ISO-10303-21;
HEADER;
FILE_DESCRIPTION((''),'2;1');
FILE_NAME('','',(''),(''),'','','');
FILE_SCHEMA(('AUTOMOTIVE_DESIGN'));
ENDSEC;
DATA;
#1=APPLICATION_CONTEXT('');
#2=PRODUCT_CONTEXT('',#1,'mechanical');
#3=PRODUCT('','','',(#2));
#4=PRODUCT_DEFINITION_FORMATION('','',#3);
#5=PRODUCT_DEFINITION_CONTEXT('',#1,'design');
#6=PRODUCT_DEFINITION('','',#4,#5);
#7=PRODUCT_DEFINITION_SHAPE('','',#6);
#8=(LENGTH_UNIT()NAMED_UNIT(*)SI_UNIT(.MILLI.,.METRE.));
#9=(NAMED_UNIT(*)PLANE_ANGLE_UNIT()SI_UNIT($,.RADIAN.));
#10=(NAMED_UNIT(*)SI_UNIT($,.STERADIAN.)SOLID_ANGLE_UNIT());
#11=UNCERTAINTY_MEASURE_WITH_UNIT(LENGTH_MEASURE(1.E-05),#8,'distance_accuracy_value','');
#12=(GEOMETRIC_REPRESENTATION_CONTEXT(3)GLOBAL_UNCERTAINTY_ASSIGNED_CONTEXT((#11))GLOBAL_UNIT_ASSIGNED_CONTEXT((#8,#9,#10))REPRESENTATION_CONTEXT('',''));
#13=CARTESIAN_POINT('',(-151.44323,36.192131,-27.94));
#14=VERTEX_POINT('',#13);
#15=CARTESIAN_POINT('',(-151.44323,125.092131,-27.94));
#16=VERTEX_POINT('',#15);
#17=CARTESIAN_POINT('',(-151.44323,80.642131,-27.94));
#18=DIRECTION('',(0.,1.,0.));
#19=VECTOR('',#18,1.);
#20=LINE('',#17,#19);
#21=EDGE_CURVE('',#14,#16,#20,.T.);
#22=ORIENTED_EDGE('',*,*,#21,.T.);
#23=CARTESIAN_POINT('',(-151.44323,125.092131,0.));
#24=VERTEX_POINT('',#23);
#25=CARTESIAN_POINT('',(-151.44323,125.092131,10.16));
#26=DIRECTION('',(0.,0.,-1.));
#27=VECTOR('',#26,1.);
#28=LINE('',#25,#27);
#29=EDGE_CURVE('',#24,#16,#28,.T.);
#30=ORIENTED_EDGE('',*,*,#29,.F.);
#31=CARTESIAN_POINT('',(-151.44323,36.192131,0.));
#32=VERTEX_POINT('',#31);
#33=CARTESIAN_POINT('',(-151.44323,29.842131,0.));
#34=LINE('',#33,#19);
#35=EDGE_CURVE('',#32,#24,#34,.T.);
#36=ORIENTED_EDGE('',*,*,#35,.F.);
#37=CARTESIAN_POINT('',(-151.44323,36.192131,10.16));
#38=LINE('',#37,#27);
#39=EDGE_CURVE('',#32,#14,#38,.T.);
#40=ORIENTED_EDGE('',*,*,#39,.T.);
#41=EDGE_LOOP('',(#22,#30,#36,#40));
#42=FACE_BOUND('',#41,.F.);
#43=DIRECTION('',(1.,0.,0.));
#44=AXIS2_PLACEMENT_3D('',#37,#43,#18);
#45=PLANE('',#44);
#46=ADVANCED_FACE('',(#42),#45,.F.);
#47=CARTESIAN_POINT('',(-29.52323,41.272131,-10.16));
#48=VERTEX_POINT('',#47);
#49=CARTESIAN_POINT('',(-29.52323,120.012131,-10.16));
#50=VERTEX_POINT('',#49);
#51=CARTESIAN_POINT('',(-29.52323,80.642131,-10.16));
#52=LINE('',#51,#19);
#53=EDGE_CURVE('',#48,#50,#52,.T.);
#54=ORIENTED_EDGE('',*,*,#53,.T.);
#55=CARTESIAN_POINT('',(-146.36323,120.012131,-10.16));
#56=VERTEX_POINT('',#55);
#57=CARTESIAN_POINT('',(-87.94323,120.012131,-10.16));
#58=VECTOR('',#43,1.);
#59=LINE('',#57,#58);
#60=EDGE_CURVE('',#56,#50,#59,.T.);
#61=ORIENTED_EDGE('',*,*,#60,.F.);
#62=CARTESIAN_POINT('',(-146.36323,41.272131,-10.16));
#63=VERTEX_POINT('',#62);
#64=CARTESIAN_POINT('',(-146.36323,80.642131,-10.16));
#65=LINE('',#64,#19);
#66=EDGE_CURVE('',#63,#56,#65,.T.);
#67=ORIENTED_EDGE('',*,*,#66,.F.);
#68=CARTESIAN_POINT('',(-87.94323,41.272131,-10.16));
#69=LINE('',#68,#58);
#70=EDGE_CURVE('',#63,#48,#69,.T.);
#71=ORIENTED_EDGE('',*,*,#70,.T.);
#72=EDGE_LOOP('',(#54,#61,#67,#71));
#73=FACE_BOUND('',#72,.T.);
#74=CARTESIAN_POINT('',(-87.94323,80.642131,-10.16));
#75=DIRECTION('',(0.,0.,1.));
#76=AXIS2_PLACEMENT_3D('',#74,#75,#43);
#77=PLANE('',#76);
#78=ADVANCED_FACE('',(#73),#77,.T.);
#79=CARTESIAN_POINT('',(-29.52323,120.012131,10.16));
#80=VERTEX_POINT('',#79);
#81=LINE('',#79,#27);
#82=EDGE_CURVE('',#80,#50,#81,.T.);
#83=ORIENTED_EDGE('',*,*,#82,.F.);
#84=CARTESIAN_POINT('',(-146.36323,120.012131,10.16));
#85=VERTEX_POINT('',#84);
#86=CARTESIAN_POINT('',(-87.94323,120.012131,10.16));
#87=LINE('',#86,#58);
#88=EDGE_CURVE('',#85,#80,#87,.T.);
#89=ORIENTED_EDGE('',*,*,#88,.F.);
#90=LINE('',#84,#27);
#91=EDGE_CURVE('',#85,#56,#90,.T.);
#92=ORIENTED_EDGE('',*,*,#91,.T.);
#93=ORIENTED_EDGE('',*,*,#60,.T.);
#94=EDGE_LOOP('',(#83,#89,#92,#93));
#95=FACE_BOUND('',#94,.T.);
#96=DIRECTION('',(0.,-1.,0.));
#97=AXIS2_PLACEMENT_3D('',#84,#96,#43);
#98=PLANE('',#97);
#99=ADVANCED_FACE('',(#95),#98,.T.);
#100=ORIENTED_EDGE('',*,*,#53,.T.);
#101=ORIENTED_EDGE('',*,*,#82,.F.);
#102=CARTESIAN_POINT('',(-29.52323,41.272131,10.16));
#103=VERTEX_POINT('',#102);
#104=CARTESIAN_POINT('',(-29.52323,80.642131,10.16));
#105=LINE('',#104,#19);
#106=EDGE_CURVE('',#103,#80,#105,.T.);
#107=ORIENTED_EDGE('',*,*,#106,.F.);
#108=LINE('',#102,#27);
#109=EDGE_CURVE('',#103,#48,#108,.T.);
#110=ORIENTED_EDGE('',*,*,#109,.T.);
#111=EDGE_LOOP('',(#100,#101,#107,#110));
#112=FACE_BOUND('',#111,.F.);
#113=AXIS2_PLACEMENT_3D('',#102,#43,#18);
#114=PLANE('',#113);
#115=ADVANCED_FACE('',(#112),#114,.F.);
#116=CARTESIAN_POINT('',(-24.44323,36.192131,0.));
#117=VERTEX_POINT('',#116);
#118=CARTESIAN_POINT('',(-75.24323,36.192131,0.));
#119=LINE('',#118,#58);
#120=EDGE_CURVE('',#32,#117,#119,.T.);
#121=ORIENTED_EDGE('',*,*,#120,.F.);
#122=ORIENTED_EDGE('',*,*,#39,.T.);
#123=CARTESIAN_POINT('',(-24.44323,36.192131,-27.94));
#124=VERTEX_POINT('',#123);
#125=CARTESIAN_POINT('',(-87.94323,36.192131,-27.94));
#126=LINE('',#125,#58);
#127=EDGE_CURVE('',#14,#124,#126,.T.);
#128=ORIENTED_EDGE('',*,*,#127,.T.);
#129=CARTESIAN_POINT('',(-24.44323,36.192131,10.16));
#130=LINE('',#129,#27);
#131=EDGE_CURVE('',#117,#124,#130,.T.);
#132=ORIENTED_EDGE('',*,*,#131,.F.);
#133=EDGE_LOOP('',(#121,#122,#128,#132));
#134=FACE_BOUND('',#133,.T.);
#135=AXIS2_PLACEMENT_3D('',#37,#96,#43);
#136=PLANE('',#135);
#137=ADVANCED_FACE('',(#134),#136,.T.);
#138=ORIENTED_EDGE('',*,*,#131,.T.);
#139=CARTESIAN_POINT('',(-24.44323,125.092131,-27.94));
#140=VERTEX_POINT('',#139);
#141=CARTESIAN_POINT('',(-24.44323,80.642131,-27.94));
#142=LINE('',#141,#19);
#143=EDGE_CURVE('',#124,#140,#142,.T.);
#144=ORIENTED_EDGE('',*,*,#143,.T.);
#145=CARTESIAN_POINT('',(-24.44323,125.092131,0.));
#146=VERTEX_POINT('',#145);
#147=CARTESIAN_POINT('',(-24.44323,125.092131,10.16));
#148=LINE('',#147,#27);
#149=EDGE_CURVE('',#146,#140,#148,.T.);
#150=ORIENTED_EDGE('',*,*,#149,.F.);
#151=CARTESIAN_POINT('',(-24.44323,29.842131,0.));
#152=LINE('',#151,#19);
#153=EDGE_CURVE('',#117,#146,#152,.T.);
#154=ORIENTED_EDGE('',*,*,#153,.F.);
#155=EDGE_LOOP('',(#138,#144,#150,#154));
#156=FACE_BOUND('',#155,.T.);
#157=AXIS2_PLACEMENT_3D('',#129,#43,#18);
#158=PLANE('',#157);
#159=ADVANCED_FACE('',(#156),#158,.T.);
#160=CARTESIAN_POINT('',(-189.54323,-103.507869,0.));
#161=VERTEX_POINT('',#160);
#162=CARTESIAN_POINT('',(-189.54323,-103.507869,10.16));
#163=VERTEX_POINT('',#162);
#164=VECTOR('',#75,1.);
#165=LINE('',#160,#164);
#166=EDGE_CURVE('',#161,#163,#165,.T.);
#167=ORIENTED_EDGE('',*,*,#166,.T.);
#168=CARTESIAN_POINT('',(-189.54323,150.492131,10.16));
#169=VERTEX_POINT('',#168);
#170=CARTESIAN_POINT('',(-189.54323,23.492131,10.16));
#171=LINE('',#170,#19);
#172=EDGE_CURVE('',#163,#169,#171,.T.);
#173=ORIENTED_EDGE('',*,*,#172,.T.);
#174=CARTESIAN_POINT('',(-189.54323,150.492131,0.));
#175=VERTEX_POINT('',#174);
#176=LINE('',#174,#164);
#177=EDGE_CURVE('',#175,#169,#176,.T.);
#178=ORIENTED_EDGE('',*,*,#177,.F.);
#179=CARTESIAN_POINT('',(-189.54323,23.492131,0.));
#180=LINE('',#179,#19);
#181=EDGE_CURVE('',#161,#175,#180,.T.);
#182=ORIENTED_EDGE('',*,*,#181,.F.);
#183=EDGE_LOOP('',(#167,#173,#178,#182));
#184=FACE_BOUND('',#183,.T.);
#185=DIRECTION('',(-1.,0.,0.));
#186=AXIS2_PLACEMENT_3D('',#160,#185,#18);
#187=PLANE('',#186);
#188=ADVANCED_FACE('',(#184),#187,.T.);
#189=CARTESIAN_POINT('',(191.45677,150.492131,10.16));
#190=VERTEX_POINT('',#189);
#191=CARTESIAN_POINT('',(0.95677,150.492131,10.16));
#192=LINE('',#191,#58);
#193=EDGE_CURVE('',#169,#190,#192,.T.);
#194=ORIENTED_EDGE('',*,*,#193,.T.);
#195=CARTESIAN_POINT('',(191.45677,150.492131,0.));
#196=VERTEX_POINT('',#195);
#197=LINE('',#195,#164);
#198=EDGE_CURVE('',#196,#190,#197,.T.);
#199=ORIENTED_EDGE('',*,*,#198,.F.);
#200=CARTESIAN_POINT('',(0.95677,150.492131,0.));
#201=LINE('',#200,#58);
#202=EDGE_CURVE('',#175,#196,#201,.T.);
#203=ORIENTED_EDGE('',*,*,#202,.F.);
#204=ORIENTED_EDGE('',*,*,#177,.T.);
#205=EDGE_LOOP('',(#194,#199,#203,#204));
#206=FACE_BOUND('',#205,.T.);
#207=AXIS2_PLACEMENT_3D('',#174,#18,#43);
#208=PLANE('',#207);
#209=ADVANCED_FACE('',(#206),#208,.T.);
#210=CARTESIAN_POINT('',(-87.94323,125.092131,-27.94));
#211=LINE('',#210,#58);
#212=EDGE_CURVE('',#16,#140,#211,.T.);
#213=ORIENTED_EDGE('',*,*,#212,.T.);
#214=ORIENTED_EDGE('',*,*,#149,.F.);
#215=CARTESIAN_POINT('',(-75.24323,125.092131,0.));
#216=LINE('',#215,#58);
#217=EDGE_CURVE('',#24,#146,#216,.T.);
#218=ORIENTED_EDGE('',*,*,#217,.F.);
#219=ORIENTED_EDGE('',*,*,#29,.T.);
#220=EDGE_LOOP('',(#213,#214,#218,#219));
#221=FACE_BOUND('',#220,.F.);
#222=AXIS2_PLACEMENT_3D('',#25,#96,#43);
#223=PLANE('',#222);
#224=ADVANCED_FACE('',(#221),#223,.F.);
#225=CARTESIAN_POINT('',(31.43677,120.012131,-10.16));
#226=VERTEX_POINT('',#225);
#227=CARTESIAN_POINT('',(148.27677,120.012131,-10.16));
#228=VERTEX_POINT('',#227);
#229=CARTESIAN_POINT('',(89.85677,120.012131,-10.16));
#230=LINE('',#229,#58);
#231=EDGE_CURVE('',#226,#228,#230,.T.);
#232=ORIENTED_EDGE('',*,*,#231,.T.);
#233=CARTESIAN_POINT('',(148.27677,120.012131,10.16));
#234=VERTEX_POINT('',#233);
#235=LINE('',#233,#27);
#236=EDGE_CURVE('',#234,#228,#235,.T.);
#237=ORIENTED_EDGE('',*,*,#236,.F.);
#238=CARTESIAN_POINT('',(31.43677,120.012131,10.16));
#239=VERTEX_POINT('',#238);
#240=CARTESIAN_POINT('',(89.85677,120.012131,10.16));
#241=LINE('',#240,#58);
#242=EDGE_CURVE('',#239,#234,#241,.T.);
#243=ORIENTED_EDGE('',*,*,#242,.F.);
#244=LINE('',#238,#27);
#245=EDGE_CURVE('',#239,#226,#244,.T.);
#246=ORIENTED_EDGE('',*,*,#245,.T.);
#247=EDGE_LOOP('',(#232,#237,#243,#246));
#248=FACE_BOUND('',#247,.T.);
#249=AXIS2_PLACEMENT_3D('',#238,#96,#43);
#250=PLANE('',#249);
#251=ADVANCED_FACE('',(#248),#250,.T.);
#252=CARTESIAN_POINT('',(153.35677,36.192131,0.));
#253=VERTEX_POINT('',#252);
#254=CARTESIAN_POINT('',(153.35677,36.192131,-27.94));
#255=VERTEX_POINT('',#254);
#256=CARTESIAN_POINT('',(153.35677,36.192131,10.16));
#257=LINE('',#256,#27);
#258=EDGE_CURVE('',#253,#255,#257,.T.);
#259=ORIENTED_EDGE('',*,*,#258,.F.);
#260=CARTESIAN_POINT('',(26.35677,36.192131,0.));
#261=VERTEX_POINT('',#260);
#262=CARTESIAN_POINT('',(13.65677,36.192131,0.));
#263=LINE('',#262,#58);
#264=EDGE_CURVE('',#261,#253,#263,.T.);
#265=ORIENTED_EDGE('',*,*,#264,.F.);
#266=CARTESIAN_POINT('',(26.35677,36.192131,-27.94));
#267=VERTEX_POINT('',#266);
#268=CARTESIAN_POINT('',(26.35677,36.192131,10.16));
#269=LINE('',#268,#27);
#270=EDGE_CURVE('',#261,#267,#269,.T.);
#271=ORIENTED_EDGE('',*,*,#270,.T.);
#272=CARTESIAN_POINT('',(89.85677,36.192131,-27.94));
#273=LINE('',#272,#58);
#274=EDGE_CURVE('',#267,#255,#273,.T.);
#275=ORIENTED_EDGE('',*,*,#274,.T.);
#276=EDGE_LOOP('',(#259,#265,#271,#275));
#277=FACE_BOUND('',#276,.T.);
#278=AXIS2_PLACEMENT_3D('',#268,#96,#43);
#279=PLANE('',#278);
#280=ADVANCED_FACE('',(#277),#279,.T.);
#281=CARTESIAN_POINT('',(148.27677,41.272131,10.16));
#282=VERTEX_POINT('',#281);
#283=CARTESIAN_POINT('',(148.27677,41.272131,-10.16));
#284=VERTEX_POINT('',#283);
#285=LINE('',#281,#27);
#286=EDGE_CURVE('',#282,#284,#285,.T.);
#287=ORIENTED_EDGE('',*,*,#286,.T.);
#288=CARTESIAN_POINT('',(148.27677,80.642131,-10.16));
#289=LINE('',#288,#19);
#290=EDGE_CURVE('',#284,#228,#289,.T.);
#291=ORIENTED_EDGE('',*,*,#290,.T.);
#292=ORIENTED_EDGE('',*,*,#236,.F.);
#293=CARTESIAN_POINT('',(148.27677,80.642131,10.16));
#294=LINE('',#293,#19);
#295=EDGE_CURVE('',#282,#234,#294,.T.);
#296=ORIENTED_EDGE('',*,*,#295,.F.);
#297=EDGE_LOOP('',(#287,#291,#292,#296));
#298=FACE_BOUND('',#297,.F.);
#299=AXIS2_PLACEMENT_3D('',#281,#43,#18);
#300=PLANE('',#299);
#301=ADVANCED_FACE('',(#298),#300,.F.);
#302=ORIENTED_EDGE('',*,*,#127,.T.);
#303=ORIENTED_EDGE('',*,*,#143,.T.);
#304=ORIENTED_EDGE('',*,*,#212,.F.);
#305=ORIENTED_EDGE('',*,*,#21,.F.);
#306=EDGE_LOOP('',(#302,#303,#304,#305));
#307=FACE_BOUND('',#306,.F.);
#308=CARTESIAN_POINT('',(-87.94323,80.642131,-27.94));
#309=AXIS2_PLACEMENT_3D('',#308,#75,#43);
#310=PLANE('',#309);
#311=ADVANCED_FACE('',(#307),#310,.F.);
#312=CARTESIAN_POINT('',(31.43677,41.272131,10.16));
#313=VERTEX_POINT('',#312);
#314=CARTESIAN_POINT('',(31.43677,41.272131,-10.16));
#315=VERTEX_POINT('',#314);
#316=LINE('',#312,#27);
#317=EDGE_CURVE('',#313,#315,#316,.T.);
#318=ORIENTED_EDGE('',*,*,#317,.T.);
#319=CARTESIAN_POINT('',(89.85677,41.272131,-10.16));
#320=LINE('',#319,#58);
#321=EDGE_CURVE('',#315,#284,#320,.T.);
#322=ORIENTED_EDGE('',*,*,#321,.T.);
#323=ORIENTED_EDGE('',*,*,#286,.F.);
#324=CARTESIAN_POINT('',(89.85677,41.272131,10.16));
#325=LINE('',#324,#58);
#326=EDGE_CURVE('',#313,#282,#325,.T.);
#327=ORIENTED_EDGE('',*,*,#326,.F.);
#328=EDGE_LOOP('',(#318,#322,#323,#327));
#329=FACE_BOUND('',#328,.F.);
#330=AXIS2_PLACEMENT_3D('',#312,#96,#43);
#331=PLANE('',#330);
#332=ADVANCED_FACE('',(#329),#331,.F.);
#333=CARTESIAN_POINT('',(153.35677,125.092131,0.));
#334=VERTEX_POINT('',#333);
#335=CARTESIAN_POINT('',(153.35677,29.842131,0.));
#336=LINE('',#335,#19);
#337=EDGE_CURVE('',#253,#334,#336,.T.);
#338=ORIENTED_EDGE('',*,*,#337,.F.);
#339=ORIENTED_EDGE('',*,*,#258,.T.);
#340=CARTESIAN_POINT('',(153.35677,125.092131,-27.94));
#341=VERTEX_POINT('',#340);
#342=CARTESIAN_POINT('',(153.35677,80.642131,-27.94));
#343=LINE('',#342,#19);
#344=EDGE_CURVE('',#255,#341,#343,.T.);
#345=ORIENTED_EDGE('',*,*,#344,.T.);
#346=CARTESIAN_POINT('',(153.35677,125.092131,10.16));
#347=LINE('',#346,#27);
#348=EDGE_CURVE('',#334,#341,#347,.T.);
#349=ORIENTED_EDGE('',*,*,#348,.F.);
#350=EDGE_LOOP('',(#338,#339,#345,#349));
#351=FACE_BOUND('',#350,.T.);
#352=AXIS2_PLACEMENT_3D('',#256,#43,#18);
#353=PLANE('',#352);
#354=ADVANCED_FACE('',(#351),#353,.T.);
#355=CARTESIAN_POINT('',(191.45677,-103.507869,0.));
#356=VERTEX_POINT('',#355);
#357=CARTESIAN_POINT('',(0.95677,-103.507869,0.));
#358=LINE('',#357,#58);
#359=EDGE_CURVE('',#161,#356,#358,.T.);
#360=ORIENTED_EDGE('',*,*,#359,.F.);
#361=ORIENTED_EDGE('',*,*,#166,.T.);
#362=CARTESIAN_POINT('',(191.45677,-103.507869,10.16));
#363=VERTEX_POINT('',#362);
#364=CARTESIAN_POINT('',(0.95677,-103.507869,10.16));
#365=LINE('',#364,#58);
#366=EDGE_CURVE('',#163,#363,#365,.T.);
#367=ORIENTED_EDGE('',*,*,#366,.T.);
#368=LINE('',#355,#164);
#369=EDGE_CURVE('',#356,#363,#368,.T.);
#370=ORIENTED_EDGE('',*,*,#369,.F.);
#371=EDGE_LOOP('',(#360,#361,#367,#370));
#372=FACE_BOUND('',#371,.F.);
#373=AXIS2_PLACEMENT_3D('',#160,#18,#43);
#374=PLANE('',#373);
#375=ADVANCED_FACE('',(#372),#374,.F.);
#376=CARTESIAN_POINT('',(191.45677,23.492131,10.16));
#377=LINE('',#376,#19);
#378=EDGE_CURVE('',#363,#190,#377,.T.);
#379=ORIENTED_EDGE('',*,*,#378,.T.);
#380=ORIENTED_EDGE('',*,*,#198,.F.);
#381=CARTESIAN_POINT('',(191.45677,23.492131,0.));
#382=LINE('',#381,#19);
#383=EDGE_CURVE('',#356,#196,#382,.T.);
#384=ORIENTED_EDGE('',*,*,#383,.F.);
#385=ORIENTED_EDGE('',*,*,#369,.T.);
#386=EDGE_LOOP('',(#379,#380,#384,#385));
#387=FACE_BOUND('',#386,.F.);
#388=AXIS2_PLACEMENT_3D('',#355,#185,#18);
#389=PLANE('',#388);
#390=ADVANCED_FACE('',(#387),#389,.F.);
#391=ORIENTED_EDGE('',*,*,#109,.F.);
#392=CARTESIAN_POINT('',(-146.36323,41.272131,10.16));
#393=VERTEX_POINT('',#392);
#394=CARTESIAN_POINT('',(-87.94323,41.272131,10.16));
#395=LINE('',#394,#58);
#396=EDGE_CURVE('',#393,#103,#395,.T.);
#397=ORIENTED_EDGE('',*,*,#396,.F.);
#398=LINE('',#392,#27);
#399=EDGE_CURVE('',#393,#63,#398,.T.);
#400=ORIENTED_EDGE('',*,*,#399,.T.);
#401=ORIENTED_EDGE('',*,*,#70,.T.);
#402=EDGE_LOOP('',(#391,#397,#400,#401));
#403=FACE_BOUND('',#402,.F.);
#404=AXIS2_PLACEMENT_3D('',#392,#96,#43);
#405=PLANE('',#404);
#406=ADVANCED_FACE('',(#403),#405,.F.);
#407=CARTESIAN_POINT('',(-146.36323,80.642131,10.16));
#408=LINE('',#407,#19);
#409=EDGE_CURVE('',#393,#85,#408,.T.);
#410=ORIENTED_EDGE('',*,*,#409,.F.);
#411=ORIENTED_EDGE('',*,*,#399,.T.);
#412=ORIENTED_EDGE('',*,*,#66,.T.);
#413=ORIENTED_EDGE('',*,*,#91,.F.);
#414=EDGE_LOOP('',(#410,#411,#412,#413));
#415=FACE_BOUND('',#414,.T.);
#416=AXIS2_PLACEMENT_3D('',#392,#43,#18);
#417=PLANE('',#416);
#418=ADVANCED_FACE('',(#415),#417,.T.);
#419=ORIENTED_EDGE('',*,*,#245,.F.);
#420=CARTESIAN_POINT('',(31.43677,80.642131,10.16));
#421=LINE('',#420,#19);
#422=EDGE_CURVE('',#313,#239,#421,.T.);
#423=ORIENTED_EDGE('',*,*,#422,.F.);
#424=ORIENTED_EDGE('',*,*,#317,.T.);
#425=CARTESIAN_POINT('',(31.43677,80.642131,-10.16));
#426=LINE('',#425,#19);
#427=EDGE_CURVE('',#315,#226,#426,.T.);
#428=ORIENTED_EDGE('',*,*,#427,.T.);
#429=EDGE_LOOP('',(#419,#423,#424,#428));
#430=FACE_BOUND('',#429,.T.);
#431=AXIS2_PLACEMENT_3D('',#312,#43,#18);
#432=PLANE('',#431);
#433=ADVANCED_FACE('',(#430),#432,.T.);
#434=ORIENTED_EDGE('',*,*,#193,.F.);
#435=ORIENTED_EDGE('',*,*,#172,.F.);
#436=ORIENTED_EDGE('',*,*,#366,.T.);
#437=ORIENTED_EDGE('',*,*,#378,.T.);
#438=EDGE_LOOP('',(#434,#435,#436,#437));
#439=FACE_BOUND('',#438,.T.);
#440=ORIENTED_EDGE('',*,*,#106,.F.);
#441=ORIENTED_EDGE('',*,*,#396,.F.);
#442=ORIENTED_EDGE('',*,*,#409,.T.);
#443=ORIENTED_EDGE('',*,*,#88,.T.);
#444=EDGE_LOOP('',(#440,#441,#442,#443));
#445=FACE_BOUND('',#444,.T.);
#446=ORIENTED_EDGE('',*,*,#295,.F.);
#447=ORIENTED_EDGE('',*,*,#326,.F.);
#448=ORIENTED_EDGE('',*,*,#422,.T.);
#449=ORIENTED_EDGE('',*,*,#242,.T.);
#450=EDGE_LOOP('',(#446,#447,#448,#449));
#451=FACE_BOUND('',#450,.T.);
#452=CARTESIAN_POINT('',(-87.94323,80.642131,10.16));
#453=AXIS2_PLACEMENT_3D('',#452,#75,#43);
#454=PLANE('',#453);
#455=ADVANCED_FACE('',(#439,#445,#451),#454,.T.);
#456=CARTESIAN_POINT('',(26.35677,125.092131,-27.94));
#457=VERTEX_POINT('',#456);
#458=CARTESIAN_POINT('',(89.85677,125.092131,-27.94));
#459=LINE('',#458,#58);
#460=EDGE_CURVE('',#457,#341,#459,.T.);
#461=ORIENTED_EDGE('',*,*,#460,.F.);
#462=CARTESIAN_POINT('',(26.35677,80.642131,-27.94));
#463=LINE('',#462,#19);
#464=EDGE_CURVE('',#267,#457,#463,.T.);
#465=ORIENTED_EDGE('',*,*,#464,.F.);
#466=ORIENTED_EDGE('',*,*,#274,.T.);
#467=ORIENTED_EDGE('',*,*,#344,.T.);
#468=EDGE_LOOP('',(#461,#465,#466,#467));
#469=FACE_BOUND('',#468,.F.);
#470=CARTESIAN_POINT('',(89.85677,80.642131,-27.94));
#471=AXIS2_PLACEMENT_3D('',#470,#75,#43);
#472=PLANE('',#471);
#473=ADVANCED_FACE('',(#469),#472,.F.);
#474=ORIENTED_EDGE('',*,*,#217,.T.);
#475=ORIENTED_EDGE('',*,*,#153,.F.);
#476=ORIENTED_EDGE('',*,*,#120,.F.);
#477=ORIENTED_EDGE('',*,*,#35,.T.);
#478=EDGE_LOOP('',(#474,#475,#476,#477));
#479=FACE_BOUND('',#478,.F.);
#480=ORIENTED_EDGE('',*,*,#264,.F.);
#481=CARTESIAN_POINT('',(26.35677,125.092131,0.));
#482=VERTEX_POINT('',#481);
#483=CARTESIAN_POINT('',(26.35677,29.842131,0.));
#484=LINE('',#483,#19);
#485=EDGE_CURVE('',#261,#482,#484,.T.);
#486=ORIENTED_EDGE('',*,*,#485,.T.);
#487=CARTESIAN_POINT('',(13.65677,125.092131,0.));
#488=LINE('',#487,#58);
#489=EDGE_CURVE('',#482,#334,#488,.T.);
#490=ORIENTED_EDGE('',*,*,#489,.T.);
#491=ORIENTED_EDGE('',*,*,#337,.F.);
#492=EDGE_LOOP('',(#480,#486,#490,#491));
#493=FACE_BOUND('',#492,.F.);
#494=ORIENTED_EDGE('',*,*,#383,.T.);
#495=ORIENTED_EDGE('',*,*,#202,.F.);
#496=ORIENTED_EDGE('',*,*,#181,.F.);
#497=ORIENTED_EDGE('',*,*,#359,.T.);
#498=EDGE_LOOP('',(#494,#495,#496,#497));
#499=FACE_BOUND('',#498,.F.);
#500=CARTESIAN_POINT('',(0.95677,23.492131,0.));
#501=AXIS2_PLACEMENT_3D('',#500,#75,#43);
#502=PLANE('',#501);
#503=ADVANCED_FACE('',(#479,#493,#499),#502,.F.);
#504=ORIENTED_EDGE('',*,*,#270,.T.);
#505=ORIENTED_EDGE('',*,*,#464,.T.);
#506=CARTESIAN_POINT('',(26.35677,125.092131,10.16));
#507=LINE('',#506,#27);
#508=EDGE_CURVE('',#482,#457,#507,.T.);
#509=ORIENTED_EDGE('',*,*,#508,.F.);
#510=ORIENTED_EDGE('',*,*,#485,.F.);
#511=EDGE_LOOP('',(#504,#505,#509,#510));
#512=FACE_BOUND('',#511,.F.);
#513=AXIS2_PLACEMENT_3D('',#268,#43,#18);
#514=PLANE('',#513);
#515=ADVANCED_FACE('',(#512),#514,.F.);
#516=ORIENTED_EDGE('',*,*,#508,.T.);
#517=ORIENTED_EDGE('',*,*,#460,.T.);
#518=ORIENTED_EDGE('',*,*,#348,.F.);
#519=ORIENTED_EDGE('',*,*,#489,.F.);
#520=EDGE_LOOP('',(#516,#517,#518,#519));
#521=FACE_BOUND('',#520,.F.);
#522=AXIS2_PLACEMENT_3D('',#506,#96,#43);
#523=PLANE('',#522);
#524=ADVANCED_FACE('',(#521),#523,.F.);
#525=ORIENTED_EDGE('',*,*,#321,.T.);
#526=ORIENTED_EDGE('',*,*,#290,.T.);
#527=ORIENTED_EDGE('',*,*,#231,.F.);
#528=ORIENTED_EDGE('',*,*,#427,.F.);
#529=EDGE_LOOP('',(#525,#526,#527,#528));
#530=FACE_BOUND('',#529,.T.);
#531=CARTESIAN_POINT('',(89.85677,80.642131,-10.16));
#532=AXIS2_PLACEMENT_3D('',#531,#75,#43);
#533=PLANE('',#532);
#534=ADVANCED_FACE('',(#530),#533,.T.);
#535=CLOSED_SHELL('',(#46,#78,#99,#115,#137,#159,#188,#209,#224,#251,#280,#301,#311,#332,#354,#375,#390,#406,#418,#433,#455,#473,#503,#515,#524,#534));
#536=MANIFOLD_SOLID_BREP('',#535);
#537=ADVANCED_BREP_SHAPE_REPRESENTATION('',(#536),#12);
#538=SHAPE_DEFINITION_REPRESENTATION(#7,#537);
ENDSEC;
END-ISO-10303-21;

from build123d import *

# Parameters (mm, degrees)
F0_W     = 381
F0_H     = 254
F0_W_2   = 127
F0_H_2   = 88.9
F1_DEPTH = 10.16
F2_W     = 127
F2_H     = 88.9
F3_DEPTH = 38.1
F4_W     = 116.84
F4_H     = 78.74
F5_DEPTH = 20.32


with BuildPart() as f1:
    # F0 (on Top) → F1 (new body)
    with BuildSketch(Plane.XY):
        with Locations((0.95677, 23.492131)):
            Rectangle(F0_W, F0_H)
        with Locations((-87.94323, -44.45)):
            Rectangle(F0_W_2, F0_H_2, mode=Mode.SUBTRACT)
        with Locations((89.85677, -44.593953)):
            Rectangle(F0_W_2, F0_H_2, mode=Mode.SUBTRACT)
        with Locations((-87.94323, -44.45)):
            Rectangle(F0_W_2, F0_H_2)
        with Locations((89.85677, -44.593953)):
            Rectangle(F0_W_2, F0_H_2)
    extrude(amount=F1_DEPTH)

    # F2 (on face) → F3 (join)
    with BuildSketch(Plane.XY.offset(10.16)):
        with Locations((-87.94323, 80.642131)):
            Rectangle(F2_W, F2_H)
        with Locations((89.85677, 80.642131)):
            Rectangle(F2_W, F2_H)
    extrude(amount=-F3_DEPTH)

    # F4 (on face) → F5 (cut)
    with BuildSketch(Plane.XY.offset(10.16)):
        with Locations((-87.94323, 80.642131)):
            Rectangle(F4_W, F4_H)
        with Locations((89.85677, 80.642131)):
            Rectangle(F4_W, F4_H)
    extrude(amount=-F5_DEPTH, mode=Mode.SUBTRACT)


solid = f1.part
